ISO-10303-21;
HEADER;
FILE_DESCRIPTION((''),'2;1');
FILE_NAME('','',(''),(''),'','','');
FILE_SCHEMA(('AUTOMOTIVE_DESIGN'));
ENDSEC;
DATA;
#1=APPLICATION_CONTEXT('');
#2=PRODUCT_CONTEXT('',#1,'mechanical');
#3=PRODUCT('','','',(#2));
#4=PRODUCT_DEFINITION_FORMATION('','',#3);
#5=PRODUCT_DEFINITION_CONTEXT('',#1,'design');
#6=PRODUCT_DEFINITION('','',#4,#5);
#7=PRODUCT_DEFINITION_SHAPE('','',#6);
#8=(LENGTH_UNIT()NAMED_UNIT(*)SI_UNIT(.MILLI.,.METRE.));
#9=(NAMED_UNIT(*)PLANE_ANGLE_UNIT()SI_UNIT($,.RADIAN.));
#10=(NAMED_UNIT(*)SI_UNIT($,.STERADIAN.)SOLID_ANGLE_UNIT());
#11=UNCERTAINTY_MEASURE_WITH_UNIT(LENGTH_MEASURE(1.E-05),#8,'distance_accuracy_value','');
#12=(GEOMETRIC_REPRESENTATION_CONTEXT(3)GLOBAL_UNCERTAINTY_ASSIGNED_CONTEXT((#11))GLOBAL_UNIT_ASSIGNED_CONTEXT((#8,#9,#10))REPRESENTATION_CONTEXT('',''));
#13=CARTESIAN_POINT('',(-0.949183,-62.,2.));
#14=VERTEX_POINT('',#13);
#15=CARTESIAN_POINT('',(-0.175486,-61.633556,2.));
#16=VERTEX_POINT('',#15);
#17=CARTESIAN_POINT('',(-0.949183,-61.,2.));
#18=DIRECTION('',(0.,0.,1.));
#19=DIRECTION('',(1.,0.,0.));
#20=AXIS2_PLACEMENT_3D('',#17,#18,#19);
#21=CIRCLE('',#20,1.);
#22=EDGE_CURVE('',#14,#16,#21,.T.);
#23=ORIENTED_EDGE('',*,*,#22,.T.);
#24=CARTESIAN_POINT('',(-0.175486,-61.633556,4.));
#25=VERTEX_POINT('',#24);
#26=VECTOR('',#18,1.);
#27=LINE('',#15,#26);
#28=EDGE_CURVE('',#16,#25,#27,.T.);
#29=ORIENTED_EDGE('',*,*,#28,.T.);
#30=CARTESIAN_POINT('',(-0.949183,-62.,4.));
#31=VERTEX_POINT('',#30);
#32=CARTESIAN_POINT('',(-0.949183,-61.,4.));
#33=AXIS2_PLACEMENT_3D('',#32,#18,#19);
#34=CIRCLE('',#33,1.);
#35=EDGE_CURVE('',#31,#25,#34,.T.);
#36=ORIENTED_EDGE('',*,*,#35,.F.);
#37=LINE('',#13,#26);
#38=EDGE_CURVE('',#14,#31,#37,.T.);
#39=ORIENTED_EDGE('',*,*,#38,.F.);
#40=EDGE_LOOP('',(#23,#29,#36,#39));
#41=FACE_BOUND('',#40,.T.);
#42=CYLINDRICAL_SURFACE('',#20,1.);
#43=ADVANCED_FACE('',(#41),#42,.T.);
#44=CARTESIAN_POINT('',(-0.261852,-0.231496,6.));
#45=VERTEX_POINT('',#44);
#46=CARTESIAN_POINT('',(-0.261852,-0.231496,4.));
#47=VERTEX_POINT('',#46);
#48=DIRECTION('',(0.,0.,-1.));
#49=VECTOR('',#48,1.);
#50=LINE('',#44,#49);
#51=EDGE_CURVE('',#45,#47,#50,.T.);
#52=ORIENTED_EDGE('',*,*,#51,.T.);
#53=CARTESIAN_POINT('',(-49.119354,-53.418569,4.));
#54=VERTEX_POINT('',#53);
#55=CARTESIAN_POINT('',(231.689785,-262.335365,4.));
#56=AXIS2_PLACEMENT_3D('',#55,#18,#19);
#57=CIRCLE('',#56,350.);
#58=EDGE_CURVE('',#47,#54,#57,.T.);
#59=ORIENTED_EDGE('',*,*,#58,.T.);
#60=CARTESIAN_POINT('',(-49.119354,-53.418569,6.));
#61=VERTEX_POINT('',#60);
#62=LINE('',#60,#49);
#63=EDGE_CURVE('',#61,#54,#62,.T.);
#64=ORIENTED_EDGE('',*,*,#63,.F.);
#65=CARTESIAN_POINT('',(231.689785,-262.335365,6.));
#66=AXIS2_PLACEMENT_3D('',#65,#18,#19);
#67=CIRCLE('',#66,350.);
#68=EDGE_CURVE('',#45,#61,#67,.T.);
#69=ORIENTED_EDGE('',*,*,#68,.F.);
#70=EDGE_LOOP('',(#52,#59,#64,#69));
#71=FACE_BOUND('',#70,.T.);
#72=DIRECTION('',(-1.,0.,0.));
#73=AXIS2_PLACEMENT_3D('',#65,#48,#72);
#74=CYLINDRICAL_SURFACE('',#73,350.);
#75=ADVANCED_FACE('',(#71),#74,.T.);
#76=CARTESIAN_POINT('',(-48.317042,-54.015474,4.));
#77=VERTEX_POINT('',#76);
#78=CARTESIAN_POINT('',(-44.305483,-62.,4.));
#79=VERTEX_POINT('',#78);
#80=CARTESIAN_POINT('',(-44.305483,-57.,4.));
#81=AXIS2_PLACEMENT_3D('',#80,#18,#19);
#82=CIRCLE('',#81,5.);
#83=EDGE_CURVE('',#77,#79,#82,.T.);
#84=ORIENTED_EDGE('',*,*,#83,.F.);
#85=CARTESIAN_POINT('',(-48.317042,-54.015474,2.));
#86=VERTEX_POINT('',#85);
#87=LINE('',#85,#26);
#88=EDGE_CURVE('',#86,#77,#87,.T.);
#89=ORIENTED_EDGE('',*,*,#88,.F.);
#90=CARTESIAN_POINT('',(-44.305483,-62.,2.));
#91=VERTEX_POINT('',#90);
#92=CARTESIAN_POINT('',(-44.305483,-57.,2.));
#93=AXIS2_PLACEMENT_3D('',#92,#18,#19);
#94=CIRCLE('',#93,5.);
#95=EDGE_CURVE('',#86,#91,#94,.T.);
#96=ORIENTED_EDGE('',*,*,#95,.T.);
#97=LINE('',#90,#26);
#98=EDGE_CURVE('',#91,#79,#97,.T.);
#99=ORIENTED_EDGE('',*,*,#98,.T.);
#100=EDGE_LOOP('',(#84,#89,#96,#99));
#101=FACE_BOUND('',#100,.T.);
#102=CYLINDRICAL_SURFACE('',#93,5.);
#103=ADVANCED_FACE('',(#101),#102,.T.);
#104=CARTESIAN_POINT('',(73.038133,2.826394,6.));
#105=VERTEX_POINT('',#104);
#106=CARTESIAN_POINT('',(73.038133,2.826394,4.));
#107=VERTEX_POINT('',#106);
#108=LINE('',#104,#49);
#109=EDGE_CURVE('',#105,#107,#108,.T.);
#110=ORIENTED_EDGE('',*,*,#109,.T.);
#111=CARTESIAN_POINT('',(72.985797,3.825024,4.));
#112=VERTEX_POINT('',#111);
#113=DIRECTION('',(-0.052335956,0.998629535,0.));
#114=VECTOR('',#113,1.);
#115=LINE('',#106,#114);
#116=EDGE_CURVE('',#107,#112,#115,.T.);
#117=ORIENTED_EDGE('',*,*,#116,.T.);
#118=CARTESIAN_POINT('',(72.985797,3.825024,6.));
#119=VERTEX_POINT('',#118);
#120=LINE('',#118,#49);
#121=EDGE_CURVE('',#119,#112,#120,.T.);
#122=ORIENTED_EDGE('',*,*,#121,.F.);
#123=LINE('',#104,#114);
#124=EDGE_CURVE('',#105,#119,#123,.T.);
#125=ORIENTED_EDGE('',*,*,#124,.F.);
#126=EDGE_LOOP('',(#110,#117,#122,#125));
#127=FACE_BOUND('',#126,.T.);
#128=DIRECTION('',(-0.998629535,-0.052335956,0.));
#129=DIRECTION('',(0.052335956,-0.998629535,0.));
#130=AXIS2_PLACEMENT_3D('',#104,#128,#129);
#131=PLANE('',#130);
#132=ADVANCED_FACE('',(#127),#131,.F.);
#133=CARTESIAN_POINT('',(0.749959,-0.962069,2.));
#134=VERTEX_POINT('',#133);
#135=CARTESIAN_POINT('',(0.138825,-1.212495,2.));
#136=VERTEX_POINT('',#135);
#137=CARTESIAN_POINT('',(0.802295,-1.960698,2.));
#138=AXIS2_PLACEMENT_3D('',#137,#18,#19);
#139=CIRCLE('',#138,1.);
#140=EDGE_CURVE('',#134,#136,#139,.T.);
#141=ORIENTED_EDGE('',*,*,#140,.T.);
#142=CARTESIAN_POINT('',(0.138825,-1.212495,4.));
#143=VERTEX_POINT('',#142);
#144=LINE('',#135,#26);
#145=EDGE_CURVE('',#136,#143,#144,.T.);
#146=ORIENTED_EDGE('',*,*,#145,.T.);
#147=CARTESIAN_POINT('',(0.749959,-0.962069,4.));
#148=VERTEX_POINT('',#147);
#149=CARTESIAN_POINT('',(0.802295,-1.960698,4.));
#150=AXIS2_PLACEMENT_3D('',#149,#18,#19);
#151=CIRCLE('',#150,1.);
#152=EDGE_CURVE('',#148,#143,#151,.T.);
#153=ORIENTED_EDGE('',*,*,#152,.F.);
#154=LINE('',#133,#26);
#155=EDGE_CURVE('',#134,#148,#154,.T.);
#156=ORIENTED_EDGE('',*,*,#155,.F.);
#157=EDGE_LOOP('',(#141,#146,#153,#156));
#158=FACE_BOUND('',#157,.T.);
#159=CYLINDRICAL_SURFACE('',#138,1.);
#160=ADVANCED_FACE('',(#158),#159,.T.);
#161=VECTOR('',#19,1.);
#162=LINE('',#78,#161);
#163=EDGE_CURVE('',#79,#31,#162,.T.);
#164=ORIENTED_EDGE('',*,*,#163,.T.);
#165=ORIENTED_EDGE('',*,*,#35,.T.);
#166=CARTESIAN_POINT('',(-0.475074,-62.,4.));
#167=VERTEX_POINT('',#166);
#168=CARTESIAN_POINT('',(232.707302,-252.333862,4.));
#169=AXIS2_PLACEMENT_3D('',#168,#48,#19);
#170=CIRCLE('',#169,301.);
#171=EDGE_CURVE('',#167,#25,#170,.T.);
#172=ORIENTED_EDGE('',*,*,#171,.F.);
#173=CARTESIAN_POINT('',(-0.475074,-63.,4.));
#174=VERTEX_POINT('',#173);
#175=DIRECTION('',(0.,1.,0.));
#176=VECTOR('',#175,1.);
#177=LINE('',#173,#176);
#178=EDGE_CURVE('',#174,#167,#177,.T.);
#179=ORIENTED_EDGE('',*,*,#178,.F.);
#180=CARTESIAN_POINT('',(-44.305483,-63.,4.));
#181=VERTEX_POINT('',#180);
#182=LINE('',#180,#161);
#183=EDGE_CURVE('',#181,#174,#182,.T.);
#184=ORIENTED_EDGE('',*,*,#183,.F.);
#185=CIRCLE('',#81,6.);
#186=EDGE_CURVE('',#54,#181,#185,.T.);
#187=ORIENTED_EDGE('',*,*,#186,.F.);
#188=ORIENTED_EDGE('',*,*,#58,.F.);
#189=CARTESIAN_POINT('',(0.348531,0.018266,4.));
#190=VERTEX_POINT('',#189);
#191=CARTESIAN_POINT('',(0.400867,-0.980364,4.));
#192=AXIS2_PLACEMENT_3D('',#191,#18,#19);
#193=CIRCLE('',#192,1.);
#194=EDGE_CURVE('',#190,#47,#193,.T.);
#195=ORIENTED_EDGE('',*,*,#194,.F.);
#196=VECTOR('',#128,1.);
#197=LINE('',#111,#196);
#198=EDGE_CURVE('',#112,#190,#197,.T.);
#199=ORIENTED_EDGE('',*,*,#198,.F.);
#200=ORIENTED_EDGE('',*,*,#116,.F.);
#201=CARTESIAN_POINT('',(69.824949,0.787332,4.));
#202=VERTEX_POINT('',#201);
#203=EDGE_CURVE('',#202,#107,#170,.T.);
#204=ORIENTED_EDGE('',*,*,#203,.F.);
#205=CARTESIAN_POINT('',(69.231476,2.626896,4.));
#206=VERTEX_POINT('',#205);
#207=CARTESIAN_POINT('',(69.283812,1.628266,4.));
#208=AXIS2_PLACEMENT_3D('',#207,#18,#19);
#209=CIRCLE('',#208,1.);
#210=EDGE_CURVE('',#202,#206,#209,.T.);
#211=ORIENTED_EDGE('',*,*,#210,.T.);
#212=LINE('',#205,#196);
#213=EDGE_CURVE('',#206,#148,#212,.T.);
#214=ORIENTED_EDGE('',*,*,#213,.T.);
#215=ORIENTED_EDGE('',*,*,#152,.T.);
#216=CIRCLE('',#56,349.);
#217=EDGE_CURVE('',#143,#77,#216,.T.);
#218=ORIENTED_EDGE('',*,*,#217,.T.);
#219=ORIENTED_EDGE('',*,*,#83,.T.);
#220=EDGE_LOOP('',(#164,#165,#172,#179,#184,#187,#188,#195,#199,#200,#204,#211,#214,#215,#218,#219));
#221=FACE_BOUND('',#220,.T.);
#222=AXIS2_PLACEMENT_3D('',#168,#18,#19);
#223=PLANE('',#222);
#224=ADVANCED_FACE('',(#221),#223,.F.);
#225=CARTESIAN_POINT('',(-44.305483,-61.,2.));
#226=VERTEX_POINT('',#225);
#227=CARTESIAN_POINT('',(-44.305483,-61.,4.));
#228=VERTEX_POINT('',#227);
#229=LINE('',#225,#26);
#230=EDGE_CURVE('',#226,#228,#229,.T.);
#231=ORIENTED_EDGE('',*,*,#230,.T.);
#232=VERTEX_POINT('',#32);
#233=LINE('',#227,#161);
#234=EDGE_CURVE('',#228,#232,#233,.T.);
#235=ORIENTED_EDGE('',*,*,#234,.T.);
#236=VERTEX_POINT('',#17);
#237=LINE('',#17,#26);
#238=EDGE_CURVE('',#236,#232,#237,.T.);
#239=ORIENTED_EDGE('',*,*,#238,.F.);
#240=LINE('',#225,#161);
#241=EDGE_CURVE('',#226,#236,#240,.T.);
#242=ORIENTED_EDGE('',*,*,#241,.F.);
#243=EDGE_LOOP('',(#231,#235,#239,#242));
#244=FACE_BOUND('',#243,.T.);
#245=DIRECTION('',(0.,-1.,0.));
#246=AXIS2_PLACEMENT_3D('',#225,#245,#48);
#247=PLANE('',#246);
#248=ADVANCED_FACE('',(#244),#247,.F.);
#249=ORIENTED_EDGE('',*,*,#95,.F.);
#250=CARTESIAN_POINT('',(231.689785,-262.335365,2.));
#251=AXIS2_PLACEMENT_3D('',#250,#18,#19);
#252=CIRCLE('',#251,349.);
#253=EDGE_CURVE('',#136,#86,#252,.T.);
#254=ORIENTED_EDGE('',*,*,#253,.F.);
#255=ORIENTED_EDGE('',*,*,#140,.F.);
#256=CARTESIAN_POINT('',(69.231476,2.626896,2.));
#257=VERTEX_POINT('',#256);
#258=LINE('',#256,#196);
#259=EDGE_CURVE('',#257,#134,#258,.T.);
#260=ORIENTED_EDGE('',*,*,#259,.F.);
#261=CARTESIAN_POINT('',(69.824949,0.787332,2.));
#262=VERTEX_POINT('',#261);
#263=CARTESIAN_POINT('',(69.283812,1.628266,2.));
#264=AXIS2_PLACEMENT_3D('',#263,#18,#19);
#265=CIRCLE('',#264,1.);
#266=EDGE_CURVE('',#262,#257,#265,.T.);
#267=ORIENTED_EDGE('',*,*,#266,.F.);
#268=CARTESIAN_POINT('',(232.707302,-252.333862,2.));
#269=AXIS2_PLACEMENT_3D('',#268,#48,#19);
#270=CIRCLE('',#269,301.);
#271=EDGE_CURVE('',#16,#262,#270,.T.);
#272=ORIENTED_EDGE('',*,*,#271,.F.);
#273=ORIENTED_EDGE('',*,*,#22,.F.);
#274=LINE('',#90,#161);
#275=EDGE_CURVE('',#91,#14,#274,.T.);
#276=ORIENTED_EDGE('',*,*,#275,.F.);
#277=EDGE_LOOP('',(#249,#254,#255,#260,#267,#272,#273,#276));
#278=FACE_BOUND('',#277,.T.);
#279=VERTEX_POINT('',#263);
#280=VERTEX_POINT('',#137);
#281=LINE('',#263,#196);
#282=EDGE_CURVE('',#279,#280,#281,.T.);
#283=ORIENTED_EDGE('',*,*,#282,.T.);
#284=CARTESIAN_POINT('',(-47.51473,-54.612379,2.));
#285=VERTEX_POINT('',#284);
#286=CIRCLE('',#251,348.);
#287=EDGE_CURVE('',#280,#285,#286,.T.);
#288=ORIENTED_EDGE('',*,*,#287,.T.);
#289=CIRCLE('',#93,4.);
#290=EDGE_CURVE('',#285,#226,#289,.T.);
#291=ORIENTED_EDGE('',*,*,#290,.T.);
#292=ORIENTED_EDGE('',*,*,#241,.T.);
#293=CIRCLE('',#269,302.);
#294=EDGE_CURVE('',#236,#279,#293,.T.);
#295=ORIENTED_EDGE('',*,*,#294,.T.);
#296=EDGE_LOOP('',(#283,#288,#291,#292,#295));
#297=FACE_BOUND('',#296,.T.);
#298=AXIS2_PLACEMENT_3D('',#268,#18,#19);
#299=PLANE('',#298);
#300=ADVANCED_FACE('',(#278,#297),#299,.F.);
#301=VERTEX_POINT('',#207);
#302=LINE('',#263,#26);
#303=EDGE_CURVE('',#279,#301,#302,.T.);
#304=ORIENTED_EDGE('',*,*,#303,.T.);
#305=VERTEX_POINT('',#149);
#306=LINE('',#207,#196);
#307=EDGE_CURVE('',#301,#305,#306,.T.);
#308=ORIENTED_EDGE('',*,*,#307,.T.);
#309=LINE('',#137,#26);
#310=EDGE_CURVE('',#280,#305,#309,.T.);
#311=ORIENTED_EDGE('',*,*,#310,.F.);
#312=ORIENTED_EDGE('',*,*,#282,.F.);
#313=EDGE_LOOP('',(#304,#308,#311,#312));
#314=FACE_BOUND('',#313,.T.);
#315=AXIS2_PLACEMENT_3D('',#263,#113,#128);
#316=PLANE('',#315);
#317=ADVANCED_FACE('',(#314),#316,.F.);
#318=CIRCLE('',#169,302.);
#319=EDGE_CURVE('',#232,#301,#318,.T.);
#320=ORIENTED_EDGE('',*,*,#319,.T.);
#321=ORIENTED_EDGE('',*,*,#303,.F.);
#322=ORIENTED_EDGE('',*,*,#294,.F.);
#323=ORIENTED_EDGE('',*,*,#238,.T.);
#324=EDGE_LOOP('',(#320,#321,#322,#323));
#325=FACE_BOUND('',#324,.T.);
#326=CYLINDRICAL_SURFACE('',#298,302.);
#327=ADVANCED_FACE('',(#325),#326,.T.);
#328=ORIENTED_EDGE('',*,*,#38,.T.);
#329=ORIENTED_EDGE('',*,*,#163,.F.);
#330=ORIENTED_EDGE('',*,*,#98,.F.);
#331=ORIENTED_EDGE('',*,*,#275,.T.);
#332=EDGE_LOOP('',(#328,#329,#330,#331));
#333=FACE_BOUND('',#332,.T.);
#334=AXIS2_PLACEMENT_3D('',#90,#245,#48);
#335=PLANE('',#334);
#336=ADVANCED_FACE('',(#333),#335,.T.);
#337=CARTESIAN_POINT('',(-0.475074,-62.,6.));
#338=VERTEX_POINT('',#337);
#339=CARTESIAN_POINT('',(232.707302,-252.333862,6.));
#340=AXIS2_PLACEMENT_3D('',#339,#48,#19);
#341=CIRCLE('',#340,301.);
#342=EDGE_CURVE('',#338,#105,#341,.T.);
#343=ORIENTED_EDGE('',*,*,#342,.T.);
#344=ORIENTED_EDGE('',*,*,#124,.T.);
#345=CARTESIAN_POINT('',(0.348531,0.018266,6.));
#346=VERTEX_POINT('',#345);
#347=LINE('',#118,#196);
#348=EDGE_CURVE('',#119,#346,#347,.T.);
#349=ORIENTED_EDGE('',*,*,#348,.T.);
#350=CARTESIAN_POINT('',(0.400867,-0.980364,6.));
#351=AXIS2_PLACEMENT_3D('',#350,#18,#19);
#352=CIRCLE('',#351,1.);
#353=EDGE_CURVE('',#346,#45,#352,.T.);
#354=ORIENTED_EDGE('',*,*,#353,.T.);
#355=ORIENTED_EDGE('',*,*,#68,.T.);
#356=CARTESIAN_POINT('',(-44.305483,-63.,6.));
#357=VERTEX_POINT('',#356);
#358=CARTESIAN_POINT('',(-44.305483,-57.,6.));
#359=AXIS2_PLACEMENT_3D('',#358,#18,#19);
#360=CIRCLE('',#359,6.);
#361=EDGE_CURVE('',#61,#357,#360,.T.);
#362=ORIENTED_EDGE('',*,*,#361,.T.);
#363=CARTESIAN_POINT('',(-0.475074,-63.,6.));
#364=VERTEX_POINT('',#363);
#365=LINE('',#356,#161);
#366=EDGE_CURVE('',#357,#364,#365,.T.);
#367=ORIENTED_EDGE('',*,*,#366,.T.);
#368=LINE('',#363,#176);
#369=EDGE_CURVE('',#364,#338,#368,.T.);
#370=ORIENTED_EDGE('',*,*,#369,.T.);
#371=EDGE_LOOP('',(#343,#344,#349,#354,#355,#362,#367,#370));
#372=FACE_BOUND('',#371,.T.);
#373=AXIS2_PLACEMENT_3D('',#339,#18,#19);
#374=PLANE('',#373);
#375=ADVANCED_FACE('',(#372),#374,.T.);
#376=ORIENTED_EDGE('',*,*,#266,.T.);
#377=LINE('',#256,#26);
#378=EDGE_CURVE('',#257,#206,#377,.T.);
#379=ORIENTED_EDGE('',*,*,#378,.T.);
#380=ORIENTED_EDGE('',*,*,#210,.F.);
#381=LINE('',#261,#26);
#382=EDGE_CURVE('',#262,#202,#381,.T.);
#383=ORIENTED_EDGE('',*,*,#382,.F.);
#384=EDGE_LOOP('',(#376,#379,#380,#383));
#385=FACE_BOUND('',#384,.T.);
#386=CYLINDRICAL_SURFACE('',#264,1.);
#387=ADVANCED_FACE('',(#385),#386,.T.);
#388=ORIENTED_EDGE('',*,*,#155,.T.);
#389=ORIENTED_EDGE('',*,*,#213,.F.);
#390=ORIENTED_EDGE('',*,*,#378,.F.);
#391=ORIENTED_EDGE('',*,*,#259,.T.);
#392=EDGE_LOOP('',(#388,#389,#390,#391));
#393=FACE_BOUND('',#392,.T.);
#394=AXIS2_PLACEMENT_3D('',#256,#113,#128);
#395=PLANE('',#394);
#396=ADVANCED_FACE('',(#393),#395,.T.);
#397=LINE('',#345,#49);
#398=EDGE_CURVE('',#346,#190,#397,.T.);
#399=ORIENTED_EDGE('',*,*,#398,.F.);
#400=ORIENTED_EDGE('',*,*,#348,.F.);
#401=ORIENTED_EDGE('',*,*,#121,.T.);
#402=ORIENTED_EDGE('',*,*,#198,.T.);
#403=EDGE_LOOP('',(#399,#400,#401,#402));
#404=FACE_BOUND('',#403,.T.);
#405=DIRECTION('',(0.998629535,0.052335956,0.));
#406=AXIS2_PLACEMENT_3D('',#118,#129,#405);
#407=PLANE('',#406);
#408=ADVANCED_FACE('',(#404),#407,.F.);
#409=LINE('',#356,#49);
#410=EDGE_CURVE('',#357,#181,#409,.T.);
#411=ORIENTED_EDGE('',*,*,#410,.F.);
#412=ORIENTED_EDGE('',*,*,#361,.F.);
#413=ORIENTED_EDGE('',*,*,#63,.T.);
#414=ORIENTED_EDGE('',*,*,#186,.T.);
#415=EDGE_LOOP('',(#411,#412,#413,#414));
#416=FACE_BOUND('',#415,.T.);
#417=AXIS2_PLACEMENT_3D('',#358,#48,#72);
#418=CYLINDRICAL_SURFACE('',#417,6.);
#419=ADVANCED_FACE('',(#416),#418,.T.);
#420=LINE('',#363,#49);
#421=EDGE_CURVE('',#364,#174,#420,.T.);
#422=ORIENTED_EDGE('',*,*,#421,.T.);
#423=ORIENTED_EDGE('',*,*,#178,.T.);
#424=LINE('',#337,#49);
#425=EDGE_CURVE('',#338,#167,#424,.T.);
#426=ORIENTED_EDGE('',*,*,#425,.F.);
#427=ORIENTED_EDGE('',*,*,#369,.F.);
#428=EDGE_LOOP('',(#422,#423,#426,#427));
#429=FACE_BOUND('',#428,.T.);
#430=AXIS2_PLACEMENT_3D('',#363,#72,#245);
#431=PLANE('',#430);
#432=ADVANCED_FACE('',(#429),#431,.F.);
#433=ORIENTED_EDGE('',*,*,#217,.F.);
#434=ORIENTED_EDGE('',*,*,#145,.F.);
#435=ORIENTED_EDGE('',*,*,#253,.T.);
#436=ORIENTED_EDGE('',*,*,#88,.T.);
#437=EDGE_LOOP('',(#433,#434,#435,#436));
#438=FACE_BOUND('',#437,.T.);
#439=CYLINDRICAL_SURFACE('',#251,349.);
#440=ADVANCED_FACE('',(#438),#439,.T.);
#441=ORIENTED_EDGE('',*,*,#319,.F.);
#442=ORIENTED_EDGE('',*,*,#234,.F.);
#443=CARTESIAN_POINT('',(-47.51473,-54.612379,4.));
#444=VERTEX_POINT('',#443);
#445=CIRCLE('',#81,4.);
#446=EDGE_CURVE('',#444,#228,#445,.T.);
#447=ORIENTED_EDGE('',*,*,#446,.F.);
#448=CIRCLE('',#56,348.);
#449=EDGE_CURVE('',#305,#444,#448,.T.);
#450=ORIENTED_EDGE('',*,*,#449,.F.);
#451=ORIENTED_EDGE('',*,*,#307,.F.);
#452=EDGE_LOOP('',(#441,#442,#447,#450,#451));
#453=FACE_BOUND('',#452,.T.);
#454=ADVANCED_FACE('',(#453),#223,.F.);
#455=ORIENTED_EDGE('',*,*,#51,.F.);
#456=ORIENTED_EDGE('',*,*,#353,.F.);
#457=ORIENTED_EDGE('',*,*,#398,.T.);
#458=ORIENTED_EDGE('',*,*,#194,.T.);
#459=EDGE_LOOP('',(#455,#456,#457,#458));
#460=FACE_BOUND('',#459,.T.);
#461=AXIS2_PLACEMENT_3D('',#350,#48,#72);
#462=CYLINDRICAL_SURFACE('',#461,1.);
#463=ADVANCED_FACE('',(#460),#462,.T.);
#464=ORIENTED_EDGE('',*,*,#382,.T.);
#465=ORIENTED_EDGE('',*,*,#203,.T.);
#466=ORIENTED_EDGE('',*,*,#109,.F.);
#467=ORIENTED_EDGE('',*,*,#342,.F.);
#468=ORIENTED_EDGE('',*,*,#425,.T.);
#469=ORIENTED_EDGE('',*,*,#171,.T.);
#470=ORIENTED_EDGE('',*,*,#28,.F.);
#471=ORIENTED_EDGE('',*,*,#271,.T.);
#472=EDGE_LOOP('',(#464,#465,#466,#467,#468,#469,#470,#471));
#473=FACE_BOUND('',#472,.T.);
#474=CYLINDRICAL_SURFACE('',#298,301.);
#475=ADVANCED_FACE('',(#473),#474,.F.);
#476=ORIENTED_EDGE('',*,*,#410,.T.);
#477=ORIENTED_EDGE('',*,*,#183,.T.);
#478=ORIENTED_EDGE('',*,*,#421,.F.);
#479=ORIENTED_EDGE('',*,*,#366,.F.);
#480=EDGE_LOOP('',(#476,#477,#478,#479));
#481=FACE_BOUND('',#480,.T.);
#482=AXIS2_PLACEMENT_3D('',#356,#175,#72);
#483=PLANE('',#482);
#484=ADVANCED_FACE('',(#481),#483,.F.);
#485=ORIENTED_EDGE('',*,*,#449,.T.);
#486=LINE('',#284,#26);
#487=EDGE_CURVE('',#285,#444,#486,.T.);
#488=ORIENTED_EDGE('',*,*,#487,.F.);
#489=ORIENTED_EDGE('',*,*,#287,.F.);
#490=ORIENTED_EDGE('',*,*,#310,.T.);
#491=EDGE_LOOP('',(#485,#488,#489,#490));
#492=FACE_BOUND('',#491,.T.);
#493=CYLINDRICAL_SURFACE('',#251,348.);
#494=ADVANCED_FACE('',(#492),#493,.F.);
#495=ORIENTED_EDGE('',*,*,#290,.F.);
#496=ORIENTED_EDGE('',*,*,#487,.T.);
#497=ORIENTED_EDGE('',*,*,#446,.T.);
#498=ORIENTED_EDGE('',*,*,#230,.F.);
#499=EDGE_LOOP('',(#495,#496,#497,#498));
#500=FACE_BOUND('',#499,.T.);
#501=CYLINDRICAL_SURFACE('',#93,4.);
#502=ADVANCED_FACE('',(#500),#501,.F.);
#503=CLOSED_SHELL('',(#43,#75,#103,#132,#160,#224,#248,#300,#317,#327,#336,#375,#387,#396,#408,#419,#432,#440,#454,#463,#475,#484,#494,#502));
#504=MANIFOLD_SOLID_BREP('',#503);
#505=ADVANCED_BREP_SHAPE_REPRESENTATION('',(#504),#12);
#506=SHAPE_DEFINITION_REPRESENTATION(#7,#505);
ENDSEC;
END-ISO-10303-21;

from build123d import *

# Parameters (mm, degrees)
BOSS_EXTRUDE1_DEPTH = 2
BOSS_EXTRUDE2_START = 2
BOSS_EXTRUDE2_DEPTH = 2


with BuildPart() as part:
    # Sketch2 → Boss-Extrude1 (new body)
    with BuildSketch(Plane.XY.offset(4)):
        with BuildLine():
            Line((-44.305483114, -62), (-0.949182939, -62))
            ThreePointArc((-0.949182939, -62), (-0.521138453, -61.903757665), (-0.175485968, -61.633555836))
            ThreePointArc((-0.175485968, -61.633555836), (32.378563383, -27.679914383), (69.824948938, 0.787331812))
            ThreePointArc((69.824948938, 0.787331812), (70.23551024, 1.935299571), (69.231475595, 2.626895546))
            Line((69.231475595, 2.626895546), (0.749958934, -0.962068664))
            ThreePointArc((0.749958934, -0.962068664), (0.423121019, -1.035372755), (0.13882509, -1.212495134))
            ThreePointArc((0.13882509, -1.212495134), (-25.448078904, -26.366894393), (-48.317042245, -54.015474353))
            ThreePointArc((-48.317042245, -54.015474353), (-48.773291762, -59.244701736), (-44.305483114, -62))
        make_face()
        with BuildLine():
            Line((69.283811551, 1.628266012), (0.80229489, -1.960698198))
            ThreePointArc((0.80229489, -1.960698198), (-24.711294193, -27.043021815), (-47.514730419, -54.612379482))
            ThreePointArc((-47.514730419, -54.612379482), (-47.879730032, -58.795761389), (-44.305483114, -61))
            Line((-44.305483114, -61), (-0.949182939, -61))
            ThreePointArc((-0.949182939, -61), (31.7130194, -26.933555752), (69.283811551, 1.628266012))
        make_face(mode=Mode.SUBTRACT)
    extrude(amount=-BOSS_EXTRUDE1_DEPTH)

    # Sketch3 → Boss-Extrude2 (add)
    with BuildSketch(Plane.XY.offset(4).offset(BOSS_EXTRUDE2_START)):
        with BuildLine():
            Line((73.03813327, 2.826394022), (72.985797314, 3.825023556))
            Line((72.985797314, 3.825023556), (0.348531139, 0.018265743))
            ThreePointArc((0.348531139, 0.018265743), (0.022157357, -0.054848295), (-0.261851868, -0.231495595))
            ThreePointArc((-0.261851868, -0.231495595), (-26.066145165, -25.561463063), (-49.119354071, -53.418569223))
            ThreePointArc((-49.119354071, -53.418569223), (-49.666853492, -59.693642083), (-44.305483114, -63))
            Line((-44.305483114, -63), (-0.475074433, -63))
            Line((-0.475074433, -63), (-0.475074433, -62))
            ThreePointArc((-0.475074433, -62), (33.625159473, -26.574476321), (73.03813327, 2.826394022))
        make_face()
    extrude(amount=-BOSS_EXTRUDE2_DEPTH)


solid = part.part
